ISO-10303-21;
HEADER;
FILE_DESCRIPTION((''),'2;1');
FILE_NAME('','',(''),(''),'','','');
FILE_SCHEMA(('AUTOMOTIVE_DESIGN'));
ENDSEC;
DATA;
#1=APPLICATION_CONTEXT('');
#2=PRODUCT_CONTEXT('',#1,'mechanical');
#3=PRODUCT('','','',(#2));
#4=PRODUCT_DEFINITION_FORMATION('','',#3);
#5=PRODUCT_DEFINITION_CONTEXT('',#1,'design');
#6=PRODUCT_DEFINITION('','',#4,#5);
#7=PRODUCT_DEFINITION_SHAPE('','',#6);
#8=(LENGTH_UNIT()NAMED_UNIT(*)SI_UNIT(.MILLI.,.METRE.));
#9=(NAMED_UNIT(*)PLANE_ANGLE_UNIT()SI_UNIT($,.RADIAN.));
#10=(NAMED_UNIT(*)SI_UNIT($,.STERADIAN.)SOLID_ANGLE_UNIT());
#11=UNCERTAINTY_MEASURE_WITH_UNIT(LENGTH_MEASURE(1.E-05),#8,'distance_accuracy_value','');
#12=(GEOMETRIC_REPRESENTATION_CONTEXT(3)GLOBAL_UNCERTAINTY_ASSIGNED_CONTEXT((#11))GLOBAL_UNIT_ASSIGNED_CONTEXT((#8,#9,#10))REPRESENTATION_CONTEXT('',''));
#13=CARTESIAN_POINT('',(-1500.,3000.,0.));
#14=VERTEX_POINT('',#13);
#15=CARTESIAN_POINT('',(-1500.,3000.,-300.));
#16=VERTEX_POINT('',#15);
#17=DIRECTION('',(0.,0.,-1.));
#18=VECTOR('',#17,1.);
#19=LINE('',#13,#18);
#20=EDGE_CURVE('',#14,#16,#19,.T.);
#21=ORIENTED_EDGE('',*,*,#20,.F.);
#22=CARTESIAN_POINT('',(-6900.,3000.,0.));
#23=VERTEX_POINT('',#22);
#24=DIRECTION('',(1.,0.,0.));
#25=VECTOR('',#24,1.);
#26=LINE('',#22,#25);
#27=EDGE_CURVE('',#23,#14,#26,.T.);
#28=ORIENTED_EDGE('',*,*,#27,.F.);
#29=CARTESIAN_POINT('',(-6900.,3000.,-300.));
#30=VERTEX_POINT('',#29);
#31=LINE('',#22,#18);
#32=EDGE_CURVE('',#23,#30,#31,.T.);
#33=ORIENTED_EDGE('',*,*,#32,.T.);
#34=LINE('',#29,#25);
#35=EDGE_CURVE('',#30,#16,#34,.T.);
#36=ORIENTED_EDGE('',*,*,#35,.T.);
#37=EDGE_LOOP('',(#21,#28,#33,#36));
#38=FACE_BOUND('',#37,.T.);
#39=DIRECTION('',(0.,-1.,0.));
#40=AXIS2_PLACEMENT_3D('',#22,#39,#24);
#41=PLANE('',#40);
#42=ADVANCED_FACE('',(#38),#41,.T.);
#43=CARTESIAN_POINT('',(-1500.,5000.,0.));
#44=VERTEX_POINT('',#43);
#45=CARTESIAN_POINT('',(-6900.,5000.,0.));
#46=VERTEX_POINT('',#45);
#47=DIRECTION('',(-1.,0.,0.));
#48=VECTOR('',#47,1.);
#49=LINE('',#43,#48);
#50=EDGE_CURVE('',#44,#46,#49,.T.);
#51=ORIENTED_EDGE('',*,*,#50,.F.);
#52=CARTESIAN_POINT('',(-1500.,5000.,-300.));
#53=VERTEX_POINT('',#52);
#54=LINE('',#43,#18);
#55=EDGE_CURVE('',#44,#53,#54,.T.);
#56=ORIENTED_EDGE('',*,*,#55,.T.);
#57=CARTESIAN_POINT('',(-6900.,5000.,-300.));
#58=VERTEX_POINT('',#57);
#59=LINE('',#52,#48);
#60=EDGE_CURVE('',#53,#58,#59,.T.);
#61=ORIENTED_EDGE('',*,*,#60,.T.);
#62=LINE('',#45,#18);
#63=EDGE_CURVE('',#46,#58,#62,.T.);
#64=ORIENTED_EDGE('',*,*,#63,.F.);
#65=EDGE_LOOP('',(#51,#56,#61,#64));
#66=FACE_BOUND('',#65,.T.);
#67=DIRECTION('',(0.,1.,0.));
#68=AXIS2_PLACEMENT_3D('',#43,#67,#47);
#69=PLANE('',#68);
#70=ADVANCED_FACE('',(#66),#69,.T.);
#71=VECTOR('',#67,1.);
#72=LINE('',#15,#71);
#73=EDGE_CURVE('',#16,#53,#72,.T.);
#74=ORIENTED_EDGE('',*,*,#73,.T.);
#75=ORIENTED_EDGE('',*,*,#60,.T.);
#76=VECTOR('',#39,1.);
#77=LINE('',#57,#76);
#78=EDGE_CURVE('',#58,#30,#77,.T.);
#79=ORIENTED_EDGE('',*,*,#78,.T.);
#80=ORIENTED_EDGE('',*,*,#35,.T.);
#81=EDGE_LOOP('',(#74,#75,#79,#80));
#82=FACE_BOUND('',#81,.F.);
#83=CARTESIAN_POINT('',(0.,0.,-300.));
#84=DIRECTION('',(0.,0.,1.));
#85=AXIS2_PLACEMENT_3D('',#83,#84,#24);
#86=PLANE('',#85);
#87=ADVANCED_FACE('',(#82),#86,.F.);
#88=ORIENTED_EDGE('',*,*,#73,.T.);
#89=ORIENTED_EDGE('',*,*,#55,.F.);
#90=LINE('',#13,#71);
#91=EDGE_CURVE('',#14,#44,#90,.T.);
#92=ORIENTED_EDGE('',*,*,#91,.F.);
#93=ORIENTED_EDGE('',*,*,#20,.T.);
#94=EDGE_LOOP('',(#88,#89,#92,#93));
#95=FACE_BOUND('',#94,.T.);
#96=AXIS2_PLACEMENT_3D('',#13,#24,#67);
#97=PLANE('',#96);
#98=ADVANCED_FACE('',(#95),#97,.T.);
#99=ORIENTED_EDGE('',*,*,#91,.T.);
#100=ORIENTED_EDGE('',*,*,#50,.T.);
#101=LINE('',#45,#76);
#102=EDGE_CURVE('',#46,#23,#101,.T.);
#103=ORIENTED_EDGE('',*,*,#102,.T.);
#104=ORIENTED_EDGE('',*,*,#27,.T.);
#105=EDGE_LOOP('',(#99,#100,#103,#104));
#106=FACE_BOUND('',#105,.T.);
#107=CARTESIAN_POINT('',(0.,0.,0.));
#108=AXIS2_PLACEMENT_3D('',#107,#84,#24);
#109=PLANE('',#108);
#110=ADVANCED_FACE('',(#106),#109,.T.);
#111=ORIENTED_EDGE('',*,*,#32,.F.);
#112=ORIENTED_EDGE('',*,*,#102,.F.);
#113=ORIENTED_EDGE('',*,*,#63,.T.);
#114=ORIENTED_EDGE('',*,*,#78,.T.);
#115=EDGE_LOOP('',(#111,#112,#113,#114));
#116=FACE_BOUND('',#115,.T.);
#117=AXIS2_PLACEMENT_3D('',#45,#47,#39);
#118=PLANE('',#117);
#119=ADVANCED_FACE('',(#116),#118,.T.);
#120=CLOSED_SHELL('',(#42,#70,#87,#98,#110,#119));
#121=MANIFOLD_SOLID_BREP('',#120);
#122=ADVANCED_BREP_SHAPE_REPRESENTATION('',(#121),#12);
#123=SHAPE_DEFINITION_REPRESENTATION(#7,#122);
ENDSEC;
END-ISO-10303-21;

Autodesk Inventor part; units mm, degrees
ref_plane "YZ Plane" through (0, 0, 0) normal (1, 0, 0) x (0, 1, 0)
ref_plane "XZ Plane" through (0, 0, 0) normal (0, 1, 0) x (-1, 0, 0)
ref_plane "XY Plane" through (0, 0, 0) normal (0, 0, 1) x (1, 0, 0)
sketch "Эскиз1" plane through (0, 0, 0) normal (0, 0, 1) x (1, 0, 0)
  line L0 (-1500, 2600) -> (-1500, -1200) construction
  line L1 (-1500, -1200) -> (-9900, -1200) construction
  line L2 (-9900, -1200) -> (-9900, 2600) construction
  line L3 (-9900, 2600) -> (-1500, 2600) construction
  line L4 (-1500, 3000) -> (-9900, 3000) construction
  line L5 (-9900, 3000) -> (-9900, 5000) construction
  line L6 (-9900, 5000) -> (-7000, 5000) construction
  line L7 (-7000, 5000) -> (-7000, 5400) construction
  line L8 (-7000, 5400) -> (-9900, 5400) construction
  line L9 (-9900, 5400) -> (-9900, 9200) construction
  line L10 (-9900, 9200) -> (-1500, 9200) construction
  line L11 (-1500, 9200) -> (-1500, 3000) construction
  line L12 (-10300, -200) -> (-10300, -1600) construction
  line L13 (-10300, -1600) -> (-1100, -1600) construction
  line L14 (-1100, -1600) -> (-1100, -200) construction
  line L15 (-1100, -200) -> (1100, -200) construction
  line L16 (1100, -200) -> (1100, -600) construction
  line L17 (1100, -600) -> (7500, -600) construction
  line L18 (7500, -600) -> (7500, 8600) construction
  line L19 (7500, 8600) -> (1100, 8600) construction
  line L20 (1100, 8600) -> (1100, 8200) construction
  line L21 (1100, 8200) -> (-1100, 8200) construction
  line L22 (-1100, 8200) -> (-1100, 9600) construction
  line L23 (-1100, 9600) -> (-10300, 9600) construction
  line L24 (-10300, 9600) -> (-10300, 8600) construction
  line L25 (-10300, 8600) -> (-18900, 8600) construction
  line L26 (-18900, 8600) -> (-18900, -600) construction
  line L27 (-18900, -600) -> (-12500, -600) construction
  line L28 (-12500, -600) -> (-12500, -200) construction
  line L29 (-12500, -200) -> (-10300, -200) construction
  line L30 (-1100, 7800) -> (1100, 7800) construction
  line L31 (1100, 7800) -> (1100, 200) construction
  line L32 (1100, 200) -> (-1100, 200) construction
  line L33 (-1100, 200) -> (-1100, 7800) construction
  line L34 (-18500, -200) -> (-18500, 8200) construction
  line L35 (-18500, 8200) -> (-12900, 8200) construction
  line L36 (-12900, 8200) -> (-12900, -200) construction
  line L37 (-12900, -200) -> (-18500, -200) construction
  line L38 (1500, -200) -> (1500, 8200) construction
  line L39 (1500, 8200) -> (7100, 8200) construction
  line L40 (7100, 8200) -> (7100, -200) construction
  line L41 (7100, -200) -> (1500, -200) construction
  line L42 (-10300, 200) -> (-12500, 200) construction
  line L43 (-12500, 200) -> (-12500, 8200) construction
  line L44 (-12500, 8200) -> (-10300, 8200) construction
  line L45 (-10300, 8200) -> (-10300, 200) construction
  line L46 (-6900, 3000) -> (-1500, 3000)
  line L47 (-1500, 3000) -> (-1500, 5000)
  line L48 (-1500, 5000) -> (-6900, 5000)
  line L49 (-6900, 5000) -> (-6900, 3000)
  point P0 (0, 0)
  dimension "d0" = 3000
extrude "Выдавливание1" add sketch "Эскиз1" against normal blind 300
equation "\"d0\" = зДл"
equation "\"d1\" = зТолПерекрытия"
equation "\"зДл\" = 3000"
equation "\"пПодъем\" = 162.5"
equation "\"пХод\" = 296.8"
equation "\"пЭффШаг\" = 621.8"
equation "\"пСвес\" = 30.2"
equation "\"пОтступСтен\" = 5"
equation "\"пДиаг\" = 338.3733"
equation "\"пШирПроступи\" = 327"
equation "\"пТолПодступенка\" = 17.4"
equation "\"пГлубПаза\" = 12"
equation "\"пОтступОтСтен\" = 5"
equation "\"пТолПричала\" = 17.4"
equation "\"зТолПерекрытия\" = 300"
properties part number "Перекрытие коридора" material "Гипсокартон"
